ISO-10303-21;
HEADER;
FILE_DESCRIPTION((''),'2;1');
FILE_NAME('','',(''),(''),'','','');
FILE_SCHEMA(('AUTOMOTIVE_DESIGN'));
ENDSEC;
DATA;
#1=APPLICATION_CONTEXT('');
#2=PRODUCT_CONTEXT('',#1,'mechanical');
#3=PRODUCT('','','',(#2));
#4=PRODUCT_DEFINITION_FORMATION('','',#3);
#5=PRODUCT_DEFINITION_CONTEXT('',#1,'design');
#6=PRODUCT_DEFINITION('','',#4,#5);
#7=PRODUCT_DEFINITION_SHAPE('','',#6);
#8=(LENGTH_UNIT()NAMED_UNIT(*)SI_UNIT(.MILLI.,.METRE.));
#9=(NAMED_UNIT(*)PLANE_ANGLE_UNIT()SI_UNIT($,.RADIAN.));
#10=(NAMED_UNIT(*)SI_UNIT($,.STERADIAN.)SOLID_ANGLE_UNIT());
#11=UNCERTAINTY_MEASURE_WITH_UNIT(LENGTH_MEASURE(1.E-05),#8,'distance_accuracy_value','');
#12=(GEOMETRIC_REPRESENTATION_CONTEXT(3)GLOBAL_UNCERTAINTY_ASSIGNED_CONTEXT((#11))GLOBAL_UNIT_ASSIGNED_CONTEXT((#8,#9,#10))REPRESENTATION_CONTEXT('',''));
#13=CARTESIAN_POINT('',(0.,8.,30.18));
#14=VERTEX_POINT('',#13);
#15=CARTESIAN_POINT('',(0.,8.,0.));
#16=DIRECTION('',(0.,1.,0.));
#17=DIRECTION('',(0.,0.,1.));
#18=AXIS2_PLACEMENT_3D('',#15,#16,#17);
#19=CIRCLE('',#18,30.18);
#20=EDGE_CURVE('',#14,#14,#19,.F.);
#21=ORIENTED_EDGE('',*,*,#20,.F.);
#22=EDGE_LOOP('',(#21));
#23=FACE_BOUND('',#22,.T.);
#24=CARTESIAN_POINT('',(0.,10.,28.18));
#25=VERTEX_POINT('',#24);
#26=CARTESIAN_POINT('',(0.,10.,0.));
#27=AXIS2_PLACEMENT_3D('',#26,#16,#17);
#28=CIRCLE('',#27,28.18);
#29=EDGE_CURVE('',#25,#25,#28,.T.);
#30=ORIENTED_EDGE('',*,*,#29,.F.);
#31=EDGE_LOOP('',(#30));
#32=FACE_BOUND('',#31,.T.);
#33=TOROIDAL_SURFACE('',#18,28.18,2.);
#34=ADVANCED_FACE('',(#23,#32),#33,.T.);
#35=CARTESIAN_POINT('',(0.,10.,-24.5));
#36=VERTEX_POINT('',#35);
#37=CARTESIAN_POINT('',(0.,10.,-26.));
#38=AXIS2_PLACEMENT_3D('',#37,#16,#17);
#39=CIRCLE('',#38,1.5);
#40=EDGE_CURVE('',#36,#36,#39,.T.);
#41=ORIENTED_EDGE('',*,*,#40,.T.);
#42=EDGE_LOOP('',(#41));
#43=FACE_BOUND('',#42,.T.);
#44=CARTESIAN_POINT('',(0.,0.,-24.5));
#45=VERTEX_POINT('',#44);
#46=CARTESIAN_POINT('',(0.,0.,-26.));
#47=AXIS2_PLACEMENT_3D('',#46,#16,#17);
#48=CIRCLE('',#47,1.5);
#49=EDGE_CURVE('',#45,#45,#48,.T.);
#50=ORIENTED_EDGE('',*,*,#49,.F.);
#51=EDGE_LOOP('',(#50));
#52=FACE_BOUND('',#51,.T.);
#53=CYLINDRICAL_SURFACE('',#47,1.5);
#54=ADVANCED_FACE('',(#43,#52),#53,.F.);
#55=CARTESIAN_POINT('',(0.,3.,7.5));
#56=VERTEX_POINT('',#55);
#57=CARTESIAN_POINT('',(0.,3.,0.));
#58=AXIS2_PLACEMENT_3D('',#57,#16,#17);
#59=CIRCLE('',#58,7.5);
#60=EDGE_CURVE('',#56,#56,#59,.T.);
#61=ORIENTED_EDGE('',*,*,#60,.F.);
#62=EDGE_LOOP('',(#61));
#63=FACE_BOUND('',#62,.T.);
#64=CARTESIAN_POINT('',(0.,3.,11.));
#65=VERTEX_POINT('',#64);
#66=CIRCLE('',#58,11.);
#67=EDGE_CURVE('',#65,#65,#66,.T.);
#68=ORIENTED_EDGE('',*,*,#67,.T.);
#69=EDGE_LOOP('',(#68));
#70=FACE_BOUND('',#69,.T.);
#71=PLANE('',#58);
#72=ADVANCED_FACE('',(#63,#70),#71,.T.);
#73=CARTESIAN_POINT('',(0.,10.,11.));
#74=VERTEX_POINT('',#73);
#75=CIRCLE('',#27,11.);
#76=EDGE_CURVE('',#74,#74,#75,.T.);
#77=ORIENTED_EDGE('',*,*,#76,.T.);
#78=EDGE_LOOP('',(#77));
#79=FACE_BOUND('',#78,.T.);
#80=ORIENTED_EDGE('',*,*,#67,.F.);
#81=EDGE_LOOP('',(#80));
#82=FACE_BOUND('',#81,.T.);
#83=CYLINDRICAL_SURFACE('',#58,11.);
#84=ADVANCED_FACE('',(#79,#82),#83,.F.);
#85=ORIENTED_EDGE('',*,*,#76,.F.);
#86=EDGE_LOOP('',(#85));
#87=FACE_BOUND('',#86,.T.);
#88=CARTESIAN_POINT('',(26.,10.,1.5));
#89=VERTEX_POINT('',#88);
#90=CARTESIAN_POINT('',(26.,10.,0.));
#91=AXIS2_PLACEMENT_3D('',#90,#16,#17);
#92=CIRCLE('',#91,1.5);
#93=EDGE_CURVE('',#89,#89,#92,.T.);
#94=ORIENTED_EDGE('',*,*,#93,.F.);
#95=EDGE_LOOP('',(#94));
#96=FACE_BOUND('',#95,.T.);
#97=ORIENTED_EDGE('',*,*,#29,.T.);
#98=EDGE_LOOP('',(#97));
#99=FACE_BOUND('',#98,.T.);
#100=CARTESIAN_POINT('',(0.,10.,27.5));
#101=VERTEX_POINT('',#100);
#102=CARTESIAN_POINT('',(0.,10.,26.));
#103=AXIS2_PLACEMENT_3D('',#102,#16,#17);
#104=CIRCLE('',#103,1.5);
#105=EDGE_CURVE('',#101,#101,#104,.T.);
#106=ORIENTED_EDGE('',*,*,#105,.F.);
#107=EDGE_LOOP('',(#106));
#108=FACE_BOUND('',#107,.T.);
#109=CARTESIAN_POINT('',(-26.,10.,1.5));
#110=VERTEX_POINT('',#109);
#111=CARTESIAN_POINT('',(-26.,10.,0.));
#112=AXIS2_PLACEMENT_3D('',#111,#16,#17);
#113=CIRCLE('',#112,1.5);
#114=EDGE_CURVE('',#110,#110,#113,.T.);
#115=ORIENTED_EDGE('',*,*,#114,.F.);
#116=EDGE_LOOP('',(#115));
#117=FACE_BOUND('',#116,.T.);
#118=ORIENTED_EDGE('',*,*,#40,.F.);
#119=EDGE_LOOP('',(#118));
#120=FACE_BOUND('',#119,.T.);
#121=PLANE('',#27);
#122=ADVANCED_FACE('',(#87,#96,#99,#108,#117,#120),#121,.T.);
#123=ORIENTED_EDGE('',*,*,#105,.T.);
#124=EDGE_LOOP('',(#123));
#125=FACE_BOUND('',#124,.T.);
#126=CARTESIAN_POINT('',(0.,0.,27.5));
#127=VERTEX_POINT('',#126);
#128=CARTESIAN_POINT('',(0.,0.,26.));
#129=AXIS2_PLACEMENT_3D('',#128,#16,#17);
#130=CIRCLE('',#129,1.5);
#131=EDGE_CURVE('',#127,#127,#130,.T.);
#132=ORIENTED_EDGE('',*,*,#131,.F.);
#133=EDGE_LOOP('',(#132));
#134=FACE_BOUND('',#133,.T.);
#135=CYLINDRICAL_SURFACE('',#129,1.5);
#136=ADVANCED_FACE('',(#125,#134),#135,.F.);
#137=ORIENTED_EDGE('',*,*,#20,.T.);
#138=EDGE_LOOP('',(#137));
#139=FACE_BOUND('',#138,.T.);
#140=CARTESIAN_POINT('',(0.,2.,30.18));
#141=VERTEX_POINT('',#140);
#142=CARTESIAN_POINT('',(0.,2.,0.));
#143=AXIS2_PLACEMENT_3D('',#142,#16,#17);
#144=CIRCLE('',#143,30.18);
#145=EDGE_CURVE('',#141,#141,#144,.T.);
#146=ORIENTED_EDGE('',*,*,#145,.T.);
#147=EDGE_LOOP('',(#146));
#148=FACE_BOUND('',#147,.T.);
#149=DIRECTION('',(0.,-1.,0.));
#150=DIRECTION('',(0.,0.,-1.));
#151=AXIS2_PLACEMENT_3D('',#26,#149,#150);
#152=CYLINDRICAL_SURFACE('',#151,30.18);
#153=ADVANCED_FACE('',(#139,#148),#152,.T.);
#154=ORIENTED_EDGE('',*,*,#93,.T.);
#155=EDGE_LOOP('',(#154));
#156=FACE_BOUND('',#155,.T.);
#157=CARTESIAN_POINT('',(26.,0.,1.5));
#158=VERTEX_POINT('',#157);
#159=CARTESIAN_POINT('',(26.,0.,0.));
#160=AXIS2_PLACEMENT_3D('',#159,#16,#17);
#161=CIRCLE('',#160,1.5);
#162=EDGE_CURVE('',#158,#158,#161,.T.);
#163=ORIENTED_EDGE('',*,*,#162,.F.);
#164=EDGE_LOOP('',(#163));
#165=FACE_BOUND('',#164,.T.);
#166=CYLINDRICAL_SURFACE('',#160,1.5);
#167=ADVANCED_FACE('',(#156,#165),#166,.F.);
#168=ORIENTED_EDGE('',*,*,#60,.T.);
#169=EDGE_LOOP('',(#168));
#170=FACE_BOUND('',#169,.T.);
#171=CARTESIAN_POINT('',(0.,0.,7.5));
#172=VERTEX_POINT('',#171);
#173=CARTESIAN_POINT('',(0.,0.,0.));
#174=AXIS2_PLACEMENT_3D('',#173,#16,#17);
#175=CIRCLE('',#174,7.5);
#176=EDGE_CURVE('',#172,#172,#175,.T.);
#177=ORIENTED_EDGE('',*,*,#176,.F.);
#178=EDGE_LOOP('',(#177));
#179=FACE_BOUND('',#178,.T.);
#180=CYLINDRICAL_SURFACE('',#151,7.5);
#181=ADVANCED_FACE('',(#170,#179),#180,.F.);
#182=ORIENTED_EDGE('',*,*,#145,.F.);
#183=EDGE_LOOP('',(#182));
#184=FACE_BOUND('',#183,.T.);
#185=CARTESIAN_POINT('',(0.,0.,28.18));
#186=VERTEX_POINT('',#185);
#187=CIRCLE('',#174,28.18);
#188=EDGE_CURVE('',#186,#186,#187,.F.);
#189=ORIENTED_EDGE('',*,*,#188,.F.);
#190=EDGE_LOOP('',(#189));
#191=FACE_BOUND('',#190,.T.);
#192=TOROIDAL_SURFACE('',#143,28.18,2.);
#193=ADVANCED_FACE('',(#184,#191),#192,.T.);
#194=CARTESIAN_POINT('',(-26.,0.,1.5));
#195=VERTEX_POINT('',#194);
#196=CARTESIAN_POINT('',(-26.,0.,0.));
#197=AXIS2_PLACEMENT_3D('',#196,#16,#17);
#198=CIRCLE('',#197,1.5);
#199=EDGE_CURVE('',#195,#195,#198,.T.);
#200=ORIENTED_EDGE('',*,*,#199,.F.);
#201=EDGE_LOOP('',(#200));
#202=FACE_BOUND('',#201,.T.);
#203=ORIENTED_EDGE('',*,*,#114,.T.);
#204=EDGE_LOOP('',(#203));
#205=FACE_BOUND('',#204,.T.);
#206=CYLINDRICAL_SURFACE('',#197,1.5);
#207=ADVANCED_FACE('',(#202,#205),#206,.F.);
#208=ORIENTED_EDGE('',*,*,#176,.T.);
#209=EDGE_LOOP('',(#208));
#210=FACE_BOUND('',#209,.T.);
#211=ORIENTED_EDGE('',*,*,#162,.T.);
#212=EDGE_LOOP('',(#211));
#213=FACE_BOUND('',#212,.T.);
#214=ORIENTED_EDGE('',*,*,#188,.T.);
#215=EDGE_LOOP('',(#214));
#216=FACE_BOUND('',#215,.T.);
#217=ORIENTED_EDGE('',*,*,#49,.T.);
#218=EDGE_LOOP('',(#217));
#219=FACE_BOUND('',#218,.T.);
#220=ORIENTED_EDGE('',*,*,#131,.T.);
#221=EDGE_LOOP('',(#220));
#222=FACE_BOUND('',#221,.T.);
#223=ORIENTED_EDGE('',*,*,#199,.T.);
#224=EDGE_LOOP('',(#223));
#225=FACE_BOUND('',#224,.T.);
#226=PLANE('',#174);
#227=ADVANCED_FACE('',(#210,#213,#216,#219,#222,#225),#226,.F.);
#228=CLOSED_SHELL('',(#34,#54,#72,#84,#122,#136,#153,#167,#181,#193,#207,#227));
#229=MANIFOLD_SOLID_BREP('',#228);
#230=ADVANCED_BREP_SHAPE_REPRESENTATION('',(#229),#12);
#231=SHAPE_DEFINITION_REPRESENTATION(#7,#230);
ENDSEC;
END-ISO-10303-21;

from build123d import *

# Parameters (mm, degrees)
SKETCH1_R           = 30.18
SKETCH1_R_2         = 7.5
BOSS_EXTRUDE1_DEPTH = 10
SKETCH2_R           = 1.5
CUT_EXTRUDE1_DEPTH  = 44.836797328
SKETCH3_R           = 11
CUT_EXTRUDE2_DEPTH  = 7
FILLET1_R           = 2


with BuildPart() as part:
    # Sketch1 → Boss-Extrude1 (new body)
    with BuildSketch(Plane(origin=(0, 0, 0), x_dir=(1, 0, 0), z_dir=(0, 1, 0))):
        with Locations(Location((0, 0, 0), (0, 0, 270))):
            Circle(SKETCH1_R)
        with Locations(Location((0, 0, 0), (0, 0, 270))):
            Circle(SKETCH1_R_2, mode=Mode.SUBTRACT)
    extrude(amount=BOSS_EXTRUDE1_DEPTH)

    # Sketch2 → Cut-Extrude1 (cut, through all)
    with BuildSketch(Plane(origin=(0, 10, 0), x_dir=(1, 0, 0), z_dir=(0, 1, 0))):
        with Locations(Location((0, 26, 0), (0, 0, 270))):
            Circle(SKETCH2_R)
        with Locations(Location((26, 0, 0), (0, 0, 270))):
            Circle(SKETCH2_R)
        with Locations(Location((-26, 0, 0), (0, 0, 270))):
            Circle(SKETCH2_R)
        with Locations(Location((0, -26, 0), (0, 0, 270))):
            Circle(SKETCH2_R)
    extrude(amount=-CUT_EXTRUDE1_DEPTH, mode=Mode.SUBTRACT)

    # Sketch3 → Cut-Extrude2 (cut)
    with BuildSketch(Plane(origin=(0, 10, 0), x_dir=(1, 0, 0), z_dir=(0, 1, 0))):
        with Locations(Location((0, 0, 0), (0, 0, 270))):
            Circle(SKETCH3_R)
    extrude(amount=-CUT_EXTRUDE2_DEPTH, mode=Mode.SUBTRACT)

    # Fillet1
    fillet1_edges = [part.edges().sort_by_distance(p)[0] for p in [
        (0, 0, -30.18),
        (0, 10, -30.18),
    ]]
    fillet(fillet1_edges, radius=FILLET1_R)


solid = part.part
